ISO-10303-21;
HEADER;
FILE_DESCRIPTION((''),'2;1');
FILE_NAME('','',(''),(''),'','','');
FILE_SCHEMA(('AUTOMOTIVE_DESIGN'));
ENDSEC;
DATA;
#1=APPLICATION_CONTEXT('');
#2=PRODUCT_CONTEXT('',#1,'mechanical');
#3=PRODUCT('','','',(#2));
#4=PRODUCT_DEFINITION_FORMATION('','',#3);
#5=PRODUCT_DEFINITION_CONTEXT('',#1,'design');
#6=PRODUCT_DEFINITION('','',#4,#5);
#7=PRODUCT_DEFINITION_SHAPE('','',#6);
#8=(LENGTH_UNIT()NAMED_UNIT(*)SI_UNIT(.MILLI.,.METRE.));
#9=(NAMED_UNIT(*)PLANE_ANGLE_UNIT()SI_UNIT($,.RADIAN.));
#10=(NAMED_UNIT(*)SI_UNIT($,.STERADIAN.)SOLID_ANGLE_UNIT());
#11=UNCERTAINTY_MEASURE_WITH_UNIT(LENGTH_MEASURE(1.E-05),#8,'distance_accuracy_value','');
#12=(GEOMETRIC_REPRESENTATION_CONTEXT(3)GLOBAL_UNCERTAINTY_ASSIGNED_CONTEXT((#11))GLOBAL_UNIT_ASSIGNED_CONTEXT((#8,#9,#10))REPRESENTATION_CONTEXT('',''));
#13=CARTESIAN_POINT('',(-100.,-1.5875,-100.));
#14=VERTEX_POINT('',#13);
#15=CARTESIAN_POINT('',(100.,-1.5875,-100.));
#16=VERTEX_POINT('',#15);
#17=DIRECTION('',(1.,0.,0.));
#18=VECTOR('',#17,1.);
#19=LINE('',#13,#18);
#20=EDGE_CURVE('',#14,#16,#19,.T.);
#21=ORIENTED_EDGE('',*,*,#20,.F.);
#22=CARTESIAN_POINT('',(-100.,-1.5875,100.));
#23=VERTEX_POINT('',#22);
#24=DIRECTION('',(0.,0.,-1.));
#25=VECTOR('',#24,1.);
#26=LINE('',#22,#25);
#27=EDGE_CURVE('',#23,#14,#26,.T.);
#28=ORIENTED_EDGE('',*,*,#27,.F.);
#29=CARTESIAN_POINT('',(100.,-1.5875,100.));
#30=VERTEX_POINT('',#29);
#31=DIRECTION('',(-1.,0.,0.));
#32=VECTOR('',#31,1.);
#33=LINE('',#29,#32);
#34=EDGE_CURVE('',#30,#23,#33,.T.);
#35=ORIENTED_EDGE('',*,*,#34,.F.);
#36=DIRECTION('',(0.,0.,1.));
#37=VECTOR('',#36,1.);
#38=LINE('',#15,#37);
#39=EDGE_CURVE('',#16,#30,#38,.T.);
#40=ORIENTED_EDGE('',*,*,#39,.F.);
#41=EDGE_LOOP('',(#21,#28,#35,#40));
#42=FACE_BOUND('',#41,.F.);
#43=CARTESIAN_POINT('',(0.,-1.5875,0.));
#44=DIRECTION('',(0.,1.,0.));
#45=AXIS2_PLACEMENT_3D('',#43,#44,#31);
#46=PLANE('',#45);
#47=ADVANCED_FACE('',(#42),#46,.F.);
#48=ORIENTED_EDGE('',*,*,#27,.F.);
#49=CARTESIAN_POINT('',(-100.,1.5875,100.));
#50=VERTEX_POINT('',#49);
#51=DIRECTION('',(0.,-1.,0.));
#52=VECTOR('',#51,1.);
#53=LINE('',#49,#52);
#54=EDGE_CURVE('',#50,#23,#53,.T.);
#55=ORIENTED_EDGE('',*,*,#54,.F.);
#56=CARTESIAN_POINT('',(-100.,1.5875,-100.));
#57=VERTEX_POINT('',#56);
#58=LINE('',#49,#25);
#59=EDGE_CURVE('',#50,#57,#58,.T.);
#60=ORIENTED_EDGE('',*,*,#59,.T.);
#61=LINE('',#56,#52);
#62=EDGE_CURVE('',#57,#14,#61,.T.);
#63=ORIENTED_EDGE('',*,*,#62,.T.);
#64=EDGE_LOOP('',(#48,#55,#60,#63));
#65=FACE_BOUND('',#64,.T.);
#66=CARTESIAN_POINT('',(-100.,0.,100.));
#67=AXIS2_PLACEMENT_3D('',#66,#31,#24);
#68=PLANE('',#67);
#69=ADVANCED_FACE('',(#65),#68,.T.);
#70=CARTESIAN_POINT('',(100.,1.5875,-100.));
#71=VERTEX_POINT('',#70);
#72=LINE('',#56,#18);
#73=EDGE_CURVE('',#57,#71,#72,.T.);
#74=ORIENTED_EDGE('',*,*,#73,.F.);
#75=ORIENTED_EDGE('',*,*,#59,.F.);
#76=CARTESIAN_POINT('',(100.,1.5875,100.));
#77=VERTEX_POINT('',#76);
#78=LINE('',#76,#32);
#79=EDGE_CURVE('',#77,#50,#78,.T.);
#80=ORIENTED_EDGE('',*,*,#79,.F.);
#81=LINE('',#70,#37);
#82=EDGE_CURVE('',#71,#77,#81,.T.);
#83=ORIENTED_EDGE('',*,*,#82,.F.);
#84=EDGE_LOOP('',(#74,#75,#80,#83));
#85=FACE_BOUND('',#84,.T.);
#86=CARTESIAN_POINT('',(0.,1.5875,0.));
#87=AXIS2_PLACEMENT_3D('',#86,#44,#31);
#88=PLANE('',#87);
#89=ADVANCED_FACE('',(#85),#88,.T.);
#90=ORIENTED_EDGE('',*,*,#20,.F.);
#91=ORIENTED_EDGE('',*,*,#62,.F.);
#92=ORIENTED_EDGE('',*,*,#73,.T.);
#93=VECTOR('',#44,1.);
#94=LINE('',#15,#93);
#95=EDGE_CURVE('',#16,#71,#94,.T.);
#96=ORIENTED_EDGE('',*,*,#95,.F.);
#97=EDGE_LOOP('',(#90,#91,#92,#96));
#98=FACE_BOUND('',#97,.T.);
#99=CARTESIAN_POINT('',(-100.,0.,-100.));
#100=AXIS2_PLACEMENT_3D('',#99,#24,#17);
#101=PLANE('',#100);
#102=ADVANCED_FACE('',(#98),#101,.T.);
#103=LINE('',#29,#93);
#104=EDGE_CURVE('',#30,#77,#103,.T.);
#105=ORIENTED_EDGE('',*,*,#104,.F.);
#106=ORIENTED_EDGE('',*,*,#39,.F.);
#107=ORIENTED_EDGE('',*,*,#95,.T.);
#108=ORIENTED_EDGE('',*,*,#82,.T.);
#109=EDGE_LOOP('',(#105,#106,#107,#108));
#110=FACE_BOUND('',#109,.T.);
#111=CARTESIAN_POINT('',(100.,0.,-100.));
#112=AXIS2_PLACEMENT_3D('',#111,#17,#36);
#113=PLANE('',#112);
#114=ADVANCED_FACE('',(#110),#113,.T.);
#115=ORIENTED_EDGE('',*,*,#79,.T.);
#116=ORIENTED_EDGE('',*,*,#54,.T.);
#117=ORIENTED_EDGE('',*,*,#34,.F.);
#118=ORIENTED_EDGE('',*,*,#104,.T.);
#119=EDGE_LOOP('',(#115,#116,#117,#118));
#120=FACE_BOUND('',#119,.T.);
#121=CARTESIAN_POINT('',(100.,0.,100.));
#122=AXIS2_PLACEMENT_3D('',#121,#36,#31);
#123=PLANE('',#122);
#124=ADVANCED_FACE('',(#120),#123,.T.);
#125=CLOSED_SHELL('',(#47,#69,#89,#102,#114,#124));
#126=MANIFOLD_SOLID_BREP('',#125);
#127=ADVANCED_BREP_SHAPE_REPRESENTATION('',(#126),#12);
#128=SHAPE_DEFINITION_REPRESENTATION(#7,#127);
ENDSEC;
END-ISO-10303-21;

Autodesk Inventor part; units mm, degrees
ref_plane "YZ Plane" through (0, 0, 0) normal (1, 0, 0) x (0, 1, 0)
ref_plane "XZ Plane" through (0, 0, 0) normal (0, 1, 0) x (-1, 0, 0)
ref_plane "XY Plane" through (0, 0, 0) normal (0, 0, 1) x (1, 0, 0)
sketch "Sketch1" plane through (0, 0, 0) normal (0, 1, 0) x (-1, 0, 0)
  line L0 (-100, 100) -> (100, 100)
  line L1 (100, 100) -> (100, -100)
  line L2 (100, -100) -> (-100, -100)
  line L3 (-100, -100) -> (-100, 100)
  line L4 (-100, 100) -> (100, -100) construction
  line L5 (100, 100) -> (-100, -100) construction
  point P0 (0, 0)
  dimension "d0" = 200
  dimension "d1" = 200
extrude "Extrusion1" add sketch "Sketch1" along normal mid plane 3.175
properties part number "Print Bed" material "Glass"
